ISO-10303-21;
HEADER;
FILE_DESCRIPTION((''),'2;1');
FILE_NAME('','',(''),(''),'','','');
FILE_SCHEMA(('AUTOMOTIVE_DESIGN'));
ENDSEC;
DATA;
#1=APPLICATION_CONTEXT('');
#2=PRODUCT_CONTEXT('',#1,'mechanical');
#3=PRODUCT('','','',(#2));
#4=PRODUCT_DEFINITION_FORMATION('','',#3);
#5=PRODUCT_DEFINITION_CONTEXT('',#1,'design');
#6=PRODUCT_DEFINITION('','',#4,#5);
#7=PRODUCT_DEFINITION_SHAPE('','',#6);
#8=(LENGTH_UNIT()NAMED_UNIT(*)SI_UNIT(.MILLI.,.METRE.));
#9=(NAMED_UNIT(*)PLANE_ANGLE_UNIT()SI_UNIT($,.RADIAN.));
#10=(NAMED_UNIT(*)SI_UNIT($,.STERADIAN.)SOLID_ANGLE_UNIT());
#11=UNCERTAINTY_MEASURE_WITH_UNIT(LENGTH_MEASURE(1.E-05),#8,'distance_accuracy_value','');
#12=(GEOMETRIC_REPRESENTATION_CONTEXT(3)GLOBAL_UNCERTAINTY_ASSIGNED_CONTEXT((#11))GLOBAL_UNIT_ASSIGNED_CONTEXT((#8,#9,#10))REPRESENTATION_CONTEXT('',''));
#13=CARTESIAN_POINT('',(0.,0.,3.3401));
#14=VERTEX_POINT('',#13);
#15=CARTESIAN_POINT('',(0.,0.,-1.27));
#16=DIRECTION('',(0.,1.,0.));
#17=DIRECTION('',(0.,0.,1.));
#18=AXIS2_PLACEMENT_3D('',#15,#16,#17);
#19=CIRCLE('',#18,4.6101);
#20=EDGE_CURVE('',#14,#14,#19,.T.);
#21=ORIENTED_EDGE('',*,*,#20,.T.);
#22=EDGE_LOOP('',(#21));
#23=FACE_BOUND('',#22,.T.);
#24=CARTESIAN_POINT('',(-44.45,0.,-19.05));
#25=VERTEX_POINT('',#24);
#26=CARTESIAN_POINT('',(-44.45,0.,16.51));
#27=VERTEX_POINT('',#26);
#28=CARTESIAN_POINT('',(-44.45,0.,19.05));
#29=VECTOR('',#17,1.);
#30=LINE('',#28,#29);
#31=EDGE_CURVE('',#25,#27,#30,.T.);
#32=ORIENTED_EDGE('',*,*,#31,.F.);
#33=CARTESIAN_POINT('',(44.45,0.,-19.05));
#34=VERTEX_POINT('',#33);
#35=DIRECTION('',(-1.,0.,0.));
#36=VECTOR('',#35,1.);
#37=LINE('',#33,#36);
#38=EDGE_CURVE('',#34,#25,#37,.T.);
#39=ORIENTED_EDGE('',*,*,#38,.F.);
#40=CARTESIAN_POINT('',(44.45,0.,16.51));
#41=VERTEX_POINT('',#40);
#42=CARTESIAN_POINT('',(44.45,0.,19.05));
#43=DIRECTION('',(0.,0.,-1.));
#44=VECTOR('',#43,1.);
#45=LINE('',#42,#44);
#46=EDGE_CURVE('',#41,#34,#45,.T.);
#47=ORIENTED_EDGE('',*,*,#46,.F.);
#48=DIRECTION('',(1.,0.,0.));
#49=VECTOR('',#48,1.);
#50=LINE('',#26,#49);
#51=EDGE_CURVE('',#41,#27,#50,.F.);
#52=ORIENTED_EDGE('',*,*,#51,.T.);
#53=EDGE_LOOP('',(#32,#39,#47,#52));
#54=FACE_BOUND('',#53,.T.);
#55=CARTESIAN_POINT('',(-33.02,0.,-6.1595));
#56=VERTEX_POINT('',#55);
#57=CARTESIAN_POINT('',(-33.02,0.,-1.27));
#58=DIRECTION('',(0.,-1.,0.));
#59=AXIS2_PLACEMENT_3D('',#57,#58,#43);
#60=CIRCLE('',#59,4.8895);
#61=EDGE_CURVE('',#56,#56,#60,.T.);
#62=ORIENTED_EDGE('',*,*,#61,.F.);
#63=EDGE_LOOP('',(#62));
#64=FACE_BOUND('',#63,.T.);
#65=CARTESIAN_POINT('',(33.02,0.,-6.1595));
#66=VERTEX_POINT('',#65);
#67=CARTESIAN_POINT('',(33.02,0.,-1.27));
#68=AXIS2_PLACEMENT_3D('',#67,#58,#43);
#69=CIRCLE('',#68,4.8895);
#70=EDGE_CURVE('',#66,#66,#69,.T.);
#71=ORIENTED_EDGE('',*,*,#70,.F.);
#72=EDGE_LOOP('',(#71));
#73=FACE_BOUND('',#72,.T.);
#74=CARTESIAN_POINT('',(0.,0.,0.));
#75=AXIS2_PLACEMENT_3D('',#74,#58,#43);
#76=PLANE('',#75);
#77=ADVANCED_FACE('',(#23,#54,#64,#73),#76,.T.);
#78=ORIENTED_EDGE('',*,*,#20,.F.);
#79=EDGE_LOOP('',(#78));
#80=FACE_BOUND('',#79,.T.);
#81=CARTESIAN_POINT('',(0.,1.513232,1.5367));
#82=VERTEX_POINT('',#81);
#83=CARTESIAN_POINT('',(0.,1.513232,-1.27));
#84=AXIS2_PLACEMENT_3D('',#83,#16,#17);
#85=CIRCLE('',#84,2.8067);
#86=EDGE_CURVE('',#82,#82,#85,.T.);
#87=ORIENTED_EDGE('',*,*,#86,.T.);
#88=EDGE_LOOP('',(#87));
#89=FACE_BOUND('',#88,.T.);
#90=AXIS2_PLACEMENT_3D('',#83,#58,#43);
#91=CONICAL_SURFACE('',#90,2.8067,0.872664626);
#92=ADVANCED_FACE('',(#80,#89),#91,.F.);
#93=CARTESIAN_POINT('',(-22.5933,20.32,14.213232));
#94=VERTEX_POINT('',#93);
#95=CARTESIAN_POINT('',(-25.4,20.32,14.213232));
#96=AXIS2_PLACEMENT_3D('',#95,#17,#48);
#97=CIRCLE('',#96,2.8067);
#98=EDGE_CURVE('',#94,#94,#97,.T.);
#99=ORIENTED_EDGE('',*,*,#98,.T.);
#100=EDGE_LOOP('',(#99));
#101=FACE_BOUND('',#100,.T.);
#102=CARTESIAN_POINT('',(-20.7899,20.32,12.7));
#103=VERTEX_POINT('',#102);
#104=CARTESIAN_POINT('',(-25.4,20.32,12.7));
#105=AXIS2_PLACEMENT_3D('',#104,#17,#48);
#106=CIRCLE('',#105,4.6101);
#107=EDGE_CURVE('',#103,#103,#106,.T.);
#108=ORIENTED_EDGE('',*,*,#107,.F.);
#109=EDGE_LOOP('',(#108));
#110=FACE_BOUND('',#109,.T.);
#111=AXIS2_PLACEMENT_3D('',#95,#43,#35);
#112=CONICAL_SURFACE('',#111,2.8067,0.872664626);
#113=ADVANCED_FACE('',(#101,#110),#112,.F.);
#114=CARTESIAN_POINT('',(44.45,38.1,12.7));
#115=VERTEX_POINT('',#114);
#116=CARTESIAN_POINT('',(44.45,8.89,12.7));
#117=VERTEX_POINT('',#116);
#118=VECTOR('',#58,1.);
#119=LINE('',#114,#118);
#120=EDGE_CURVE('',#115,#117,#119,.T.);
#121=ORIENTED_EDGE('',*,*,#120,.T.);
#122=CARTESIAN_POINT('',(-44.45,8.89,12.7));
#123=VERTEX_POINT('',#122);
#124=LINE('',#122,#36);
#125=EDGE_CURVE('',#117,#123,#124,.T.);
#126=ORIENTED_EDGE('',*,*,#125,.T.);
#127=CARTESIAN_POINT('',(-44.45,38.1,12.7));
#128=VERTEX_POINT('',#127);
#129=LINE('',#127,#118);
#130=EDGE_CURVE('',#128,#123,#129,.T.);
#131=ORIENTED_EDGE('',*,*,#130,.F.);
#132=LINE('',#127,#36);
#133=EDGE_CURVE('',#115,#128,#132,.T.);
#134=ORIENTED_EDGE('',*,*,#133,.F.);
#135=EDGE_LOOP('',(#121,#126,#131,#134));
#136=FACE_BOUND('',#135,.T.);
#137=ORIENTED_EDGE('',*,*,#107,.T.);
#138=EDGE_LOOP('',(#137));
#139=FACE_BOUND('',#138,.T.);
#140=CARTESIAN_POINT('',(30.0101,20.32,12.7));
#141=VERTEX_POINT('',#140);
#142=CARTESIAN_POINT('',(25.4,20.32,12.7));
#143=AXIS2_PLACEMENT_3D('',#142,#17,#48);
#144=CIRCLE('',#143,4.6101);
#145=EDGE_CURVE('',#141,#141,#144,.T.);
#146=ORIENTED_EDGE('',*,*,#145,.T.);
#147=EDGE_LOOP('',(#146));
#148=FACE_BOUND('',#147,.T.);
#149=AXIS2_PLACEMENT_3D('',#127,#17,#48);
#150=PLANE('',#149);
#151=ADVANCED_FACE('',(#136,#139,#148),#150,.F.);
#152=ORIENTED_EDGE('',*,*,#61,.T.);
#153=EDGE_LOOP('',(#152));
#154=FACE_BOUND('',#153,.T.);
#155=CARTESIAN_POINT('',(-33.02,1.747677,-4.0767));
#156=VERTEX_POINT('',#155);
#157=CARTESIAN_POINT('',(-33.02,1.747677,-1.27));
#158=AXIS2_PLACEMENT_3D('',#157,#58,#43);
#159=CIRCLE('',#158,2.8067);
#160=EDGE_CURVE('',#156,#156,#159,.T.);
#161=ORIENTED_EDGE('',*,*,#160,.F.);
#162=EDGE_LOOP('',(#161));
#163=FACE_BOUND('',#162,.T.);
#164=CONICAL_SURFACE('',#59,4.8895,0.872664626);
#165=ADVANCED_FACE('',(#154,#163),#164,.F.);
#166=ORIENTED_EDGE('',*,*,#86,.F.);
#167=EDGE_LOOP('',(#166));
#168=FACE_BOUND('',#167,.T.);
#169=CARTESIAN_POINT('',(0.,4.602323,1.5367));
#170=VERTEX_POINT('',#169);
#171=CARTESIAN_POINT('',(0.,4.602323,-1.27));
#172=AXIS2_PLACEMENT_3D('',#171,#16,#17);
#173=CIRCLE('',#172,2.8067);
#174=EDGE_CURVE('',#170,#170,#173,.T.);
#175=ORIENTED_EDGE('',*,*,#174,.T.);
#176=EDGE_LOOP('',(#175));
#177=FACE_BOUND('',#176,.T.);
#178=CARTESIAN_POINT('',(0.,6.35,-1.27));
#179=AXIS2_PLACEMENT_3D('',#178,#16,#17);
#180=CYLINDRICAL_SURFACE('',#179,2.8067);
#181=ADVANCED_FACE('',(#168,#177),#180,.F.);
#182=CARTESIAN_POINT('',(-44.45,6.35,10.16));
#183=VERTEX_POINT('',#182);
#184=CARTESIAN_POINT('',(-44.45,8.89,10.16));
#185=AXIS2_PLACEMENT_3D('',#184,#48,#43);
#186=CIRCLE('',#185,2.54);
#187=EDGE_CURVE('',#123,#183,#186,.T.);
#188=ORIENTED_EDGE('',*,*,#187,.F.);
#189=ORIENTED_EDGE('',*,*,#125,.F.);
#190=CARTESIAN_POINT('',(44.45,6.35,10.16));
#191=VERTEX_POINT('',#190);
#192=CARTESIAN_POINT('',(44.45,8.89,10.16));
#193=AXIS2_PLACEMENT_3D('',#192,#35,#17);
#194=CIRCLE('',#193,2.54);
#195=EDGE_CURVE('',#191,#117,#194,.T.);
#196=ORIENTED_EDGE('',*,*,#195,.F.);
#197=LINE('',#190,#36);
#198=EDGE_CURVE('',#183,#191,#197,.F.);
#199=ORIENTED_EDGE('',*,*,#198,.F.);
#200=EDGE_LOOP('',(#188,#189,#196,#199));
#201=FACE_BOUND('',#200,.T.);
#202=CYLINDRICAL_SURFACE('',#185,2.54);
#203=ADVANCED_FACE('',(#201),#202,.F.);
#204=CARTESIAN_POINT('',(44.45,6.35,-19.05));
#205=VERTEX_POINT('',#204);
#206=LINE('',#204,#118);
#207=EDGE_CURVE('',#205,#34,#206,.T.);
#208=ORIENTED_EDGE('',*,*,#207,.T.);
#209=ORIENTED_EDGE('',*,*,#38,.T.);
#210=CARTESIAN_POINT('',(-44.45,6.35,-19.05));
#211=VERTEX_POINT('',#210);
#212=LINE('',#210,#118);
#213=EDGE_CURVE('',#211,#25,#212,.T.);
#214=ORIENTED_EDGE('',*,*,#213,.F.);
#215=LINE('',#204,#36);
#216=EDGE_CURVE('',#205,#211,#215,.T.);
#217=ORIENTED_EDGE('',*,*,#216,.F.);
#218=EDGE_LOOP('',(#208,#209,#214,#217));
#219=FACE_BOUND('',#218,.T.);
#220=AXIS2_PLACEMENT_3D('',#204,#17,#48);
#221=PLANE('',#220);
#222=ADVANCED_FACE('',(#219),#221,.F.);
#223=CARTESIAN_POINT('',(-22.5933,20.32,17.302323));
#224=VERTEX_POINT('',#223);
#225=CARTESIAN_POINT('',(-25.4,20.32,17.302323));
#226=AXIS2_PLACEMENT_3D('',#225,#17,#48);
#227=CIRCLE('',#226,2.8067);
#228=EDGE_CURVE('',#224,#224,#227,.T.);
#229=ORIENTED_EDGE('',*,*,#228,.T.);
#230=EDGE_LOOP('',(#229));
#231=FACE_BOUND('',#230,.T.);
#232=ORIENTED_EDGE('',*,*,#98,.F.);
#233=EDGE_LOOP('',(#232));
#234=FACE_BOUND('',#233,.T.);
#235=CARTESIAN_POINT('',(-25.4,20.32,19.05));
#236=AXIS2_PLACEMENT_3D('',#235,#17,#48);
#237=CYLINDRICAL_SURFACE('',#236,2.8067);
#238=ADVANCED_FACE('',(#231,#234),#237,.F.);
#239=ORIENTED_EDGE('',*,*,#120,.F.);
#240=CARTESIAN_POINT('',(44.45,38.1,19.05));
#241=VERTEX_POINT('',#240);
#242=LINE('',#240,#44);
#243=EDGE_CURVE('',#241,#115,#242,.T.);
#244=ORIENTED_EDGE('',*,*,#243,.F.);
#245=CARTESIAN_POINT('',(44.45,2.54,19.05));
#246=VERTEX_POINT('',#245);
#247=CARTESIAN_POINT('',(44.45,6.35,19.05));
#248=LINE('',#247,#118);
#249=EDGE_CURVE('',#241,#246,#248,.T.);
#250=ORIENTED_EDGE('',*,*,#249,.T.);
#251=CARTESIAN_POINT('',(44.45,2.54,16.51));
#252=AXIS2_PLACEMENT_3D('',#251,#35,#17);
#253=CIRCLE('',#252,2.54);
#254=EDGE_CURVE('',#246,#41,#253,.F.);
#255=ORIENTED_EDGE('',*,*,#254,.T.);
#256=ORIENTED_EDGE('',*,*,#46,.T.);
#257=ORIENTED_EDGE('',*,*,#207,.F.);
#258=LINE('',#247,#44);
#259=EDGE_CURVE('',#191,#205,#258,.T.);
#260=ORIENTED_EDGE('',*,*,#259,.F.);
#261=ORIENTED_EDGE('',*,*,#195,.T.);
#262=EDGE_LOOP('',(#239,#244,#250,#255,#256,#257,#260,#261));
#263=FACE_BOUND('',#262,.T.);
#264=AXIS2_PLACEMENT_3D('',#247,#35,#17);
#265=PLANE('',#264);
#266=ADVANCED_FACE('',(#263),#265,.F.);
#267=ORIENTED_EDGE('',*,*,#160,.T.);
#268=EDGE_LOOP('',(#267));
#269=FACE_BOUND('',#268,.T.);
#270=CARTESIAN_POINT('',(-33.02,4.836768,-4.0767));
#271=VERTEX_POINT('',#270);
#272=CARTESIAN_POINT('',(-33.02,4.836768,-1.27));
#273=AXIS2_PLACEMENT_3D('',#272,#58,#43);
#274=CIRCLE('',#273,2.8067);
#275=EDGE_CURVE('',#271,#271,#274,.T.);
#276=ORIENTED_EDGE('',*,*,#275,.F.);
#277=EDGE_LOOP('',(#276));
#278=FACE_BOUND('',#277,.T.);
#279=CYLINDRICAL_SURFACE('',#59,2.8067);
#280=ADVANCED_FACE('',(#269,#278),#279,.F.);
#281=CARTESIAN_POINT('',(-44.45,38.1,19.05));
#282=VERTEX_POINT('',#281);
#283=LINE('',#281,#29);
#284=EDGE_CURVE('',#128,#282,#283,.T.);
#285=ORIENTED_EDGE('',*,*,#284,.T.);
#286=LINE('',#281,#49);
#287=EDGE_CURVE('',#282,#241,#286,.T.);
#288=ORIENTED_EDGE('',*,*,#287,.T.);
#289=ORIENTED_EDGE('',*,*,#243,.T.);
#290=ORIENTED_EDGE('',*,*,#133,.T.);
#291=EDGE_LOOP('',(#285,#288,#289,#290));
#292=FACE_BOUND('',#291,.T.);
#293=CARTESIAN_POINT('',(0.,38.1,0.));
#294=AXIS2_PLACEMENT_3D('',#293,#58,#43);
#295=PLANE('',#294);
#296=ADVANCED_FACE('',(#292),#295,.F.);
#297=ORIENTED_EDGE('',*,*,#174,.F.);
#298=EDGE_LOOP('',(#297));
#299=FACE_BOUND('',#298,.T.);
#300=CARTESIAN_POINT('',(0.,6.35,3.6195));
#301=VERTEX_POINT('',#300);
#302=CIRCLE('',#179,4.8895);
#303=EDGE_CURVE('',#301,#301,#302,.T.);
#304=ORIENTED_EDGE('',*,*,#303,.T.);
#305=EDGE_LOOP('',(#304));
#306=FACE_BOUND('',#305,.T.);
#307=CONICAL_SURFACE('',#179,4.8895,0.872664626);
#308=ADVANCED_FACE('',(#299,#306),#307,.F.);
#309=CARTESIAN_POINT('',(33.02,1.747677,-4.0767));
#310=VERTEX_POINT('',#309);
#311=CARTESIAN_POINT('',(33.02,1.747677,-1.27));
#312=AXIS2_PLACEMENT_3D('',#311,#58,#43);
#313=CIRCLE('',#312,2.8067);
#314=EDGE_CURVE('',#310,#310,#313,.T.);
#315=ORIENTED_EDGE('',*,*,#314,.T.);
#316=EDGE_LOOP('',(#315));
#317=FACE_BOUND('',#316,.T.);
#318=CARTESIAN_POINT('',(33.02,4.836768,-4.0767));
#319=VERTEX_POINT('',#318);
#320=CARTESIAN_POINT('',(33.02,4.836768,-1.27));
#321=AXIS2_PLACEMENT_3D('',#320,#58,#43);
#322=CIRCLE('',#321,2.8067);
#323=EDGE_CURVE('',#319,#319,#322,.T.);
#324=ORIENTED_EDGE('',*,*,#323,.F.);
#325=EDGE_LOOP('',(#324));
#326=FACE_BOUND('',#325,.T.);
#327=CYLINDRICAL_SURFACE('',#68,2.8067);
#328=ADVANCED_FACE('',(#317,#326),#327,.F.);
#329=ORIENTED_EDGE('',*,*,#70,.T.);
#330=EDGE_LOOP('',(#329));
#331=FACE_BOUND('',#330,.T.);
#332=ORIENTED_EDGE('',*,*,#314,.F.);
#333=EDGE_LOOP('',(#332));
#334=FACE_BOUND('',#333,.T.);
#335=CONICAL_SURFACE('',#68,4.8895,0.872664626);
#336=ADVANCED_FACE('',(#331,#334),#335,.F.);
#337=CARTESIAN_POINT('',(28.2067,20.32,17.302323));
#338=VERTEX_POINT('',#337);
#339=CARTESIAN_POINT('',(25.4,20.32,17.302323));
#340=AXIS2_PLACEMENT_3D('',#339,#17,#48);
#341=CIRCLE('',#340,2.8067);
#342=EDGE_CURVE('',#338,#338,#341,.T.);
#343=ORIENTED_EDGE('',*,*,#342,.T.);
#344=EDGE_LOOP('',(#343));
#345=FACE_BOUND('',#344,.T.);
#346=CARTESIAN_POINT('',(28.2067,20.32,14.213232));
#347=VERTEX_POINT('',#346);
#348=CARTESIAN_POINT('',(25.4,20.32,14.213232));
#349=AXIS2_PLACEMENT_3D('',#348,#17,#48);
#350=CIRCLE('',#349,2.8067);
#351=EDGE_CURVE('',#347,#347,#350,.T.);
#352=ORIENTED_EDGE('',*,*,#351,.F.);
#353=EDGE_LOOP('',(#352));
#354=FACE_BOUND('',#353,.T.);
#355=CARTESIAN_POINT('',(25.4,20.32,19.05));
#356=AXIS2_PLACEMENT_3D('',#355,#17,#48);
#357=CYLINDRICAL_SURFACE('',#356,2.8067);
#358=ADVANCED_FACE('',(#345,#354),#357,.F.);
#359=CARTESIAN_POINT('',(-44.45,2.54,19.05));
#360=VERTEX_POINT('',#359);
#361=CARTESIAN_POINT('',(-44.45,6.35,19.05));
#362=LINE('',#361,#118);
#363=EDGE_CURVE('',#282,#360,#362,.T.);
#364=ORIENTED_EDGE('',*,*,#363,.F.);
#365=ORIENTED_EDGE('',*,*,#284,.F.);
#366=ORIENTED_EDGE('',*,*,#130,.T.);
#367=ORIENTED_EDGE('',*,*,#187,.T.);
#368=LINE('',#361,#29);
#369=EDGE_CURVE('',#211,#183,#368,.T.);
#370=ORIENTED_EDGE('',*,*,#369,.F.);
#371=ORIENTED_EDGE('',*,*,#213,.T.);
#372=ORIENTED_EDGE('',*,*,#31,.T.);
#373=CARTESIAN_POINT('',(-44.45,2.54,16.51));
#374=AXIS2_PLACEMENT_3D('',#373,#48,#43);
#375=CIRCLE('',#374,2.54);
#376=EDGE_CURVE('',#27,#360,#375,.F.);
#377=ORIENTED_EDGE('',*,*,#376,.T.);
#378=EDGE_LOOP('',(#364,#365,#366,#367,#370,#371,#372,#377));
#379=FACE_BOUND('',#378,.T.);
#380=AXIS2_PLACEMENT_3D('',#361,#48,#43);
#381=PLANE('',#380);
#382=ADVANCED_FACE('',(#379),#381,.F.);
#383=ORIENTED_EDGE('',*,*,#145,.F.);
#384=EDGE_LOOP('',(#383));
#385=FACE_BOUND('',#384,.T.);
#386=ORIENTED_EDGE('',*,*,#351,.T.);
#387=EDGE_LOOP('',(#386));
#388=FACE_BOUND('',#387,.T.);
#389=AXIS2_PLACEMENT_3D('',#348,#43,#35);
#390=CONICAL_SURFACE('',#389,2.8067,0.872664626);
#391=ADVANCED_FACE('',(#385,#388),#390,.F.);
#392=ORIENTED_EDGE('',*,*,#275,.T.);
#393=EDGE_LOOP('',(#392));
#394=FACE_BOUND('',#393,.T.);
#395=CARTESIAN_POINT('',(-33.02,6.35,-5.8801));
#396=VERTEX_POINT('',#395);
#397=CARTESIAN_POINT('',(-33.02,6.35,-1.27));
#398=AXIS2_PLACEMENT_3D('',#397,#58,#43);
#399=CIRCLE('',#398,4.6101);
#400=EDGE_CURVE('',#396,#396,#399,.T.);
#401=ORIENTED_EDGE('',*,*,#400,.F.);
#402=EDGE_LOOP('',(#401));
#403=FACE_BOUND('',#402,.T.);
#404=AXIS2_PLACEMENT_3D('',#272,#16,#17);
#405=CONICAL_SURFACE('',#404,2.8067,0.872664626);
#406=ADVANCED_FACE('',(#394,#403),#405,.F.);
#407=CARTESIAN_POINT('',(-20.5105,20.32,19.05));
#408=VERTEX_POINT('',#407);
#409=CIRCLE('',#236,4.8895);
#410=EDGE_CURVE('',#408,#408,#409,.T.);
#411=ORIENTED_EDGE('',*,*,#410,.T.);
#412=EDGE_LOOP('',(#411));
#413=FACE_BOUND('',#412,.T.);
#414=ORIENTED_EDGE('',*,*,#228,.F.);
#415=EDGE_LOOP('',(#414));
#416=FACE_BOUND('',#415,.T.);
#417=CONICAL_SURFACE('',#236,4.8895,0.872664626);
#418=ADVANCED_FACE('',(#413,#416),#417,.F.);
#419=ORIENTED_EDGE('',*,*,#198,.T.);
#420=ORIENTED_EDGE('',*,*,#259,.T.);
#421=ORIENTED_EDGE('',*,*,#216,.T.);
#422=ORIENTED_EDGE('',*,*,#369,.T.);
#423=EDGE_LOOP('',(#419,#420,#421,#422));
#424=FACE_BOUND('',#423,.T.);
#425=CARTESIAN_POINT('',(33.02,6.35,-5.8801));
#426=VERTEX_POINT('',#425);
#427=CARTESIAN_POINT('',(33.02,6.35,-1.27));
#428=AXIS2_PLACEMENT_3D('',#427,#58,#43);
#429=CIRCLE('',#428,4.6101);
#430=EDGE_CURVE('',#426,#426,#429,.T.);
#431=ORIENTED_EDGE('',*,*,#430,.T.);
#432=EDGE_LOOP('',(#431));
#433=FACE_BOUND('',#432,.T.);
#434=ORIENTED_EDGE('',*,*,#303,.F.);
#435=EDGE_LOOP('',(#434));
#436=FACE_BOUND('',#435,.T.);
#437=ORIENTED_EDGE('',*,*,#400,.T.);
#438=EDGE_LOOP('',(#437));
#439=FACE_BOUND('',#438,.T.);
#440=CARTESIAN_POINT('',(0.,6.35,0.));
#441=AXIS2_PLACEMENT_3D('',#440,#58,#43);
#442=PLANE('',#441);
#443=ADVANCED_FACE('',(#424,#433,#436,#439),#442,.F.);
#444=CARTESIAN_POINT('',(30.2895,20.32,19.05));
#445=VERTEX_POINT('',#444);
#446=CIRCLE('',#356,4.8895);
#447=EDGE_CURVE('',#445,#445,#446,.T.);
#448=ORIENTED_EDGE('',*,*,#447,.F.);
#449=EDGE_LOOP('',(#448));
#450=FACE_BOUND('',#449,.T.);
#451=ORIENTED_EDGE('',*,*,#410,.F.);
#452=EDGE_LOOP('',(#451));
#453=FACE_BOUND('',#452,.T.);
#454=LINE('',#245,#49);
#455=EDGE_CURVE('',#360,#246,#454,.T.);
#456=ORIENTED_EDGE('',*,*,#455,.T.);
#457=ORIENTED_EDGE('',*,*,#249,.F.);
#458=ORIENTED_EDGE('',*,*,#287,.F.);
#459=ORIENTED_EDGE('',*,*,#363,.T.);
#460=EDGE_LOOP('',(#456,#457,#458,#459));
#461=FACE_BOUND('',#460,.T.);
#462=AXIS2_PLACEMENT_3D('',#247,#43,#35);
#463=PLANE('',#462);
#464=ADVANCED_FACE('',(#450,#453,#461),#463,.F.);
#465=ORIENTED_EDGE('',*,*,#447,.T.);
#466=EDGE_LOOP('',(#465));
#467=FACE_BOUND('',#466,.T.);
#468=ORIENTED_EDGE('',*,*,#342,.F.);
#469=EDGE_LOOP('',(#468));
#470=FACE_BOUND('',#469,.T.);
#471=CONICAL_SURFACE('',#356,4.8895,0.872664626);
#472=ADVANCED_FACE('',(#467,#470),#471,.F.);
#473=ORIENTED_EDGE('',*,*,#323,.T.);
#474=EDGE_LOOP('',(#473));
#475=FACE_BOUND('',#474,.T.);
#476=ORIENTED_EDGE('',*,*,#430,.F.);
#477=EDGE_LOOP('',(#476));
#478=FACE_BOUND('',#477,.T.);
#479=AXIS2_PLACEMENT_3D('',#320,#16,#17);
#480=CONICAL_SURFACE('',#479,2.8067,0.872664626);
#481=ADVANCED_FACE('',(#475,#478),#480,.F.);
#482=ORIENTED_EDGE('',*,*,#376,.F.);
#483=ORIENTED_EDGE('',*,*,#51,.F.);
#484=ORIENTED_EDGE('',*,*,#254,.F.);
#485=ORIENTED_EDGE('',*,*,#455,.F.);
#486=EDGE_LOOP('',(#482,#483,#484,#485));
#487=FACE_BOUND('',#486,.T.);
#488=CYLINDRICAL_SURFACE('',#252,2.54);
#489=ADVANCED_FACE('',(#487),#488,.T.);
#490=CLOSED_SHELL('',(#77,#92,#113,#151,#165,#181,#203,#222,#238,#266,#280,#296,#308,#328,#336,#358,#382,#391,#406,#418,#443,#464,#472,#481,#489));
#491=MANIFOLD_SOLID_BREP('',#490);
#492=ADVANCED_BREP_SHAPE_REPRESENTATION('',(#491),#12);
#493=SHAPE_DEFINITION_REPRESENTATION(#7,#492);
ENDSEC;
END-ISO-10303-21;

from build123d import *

# Parameters (mm, degrees)
SKETCH1_W           = 88.9
SKETCH1_H           = 38.1
BOSS_EXTRUDE1_DEPTH = 6.35
SKETCH2_W           = 88.9
SKETCH2_H           = 6.35
BOSS_EXTRUDE2_DEPTH = 31.75
FILLET1_R           = 2.54
FILLET2_R           = 2.54


with BuildPart() as part:
    # Sketch1 → Boss-Extrude1 (new body)
    with BuildSketch(Plane(origin=(0, 0, 0), x_dir=(1, 0, 0), z_dir=(0, 1, 0))):
        Rectangle(SKETCH1_W, SKETCH1_H)
    extrude(amount=BOSS_EXTRUDE1_DEPTH)

    # Sketch2 → Boss-Extrude2 (add)
    with BuildSketch(Plane(origin=(0, 6.35, 0), x_dir=(1, 0, 0), z_dir=(0, 1, 0))):
        with Locations((0, -15.875)):
            Rectangle(SKETCH2_W, SKETCH2_H)
    extrude(amount=BOSS_EXTRUDE2_DEPTH)

    # Fillet1
    fillet1_edges = [part.edges().sort_by_distance(p)[0] for p in [
        (0, 6.35, 12.7),
    ]]
    fillet(fillet1_edges, radius=FILLET1_R)

    # Fillet2
    fillet2_edges = [part.edges().sort_by_distance(p)[0] for p in [
        (0, 0, 19.05),
    ]]
    fillet(fillet2_edges, radius=FILLET2_R)

    # Sketch3 → CSK for #10 Flat Head Machine Screw (100)1 (revolve, cut)
    with BuildSketch(Plane(origin=(-25.4, 20.32, 19.05), x_dir=(0, -1, 0), z_dir=(1, 0, 0))):
        Polygon((0, 0), (0, 6.35), (4.6101, 6.35), (2.8067, 4.836767725), (2.8067, 1.747676712), (4.8895, 0), align=None)
    revolve(axis=Axis((-25.4, 20.32, 25.4), (0, 0, -1)), mode=Mode.SUBTRACT)

    # Sketch3 at point 2 (carried to point 2, square into its face) → CSK for _10 Flat Head Machine Screw  2 (revolve, cut)
    with BuildSketch(Plane(origin=(25.4, 20.32, 19.05), x_dir=(0, -1, 0), z_dir=(1, 0, 0))):
        Polygon((0, 0), (0, 6.35), (4.6101, 6.35), (2.8067, 4.836767725), (2.8067, 1.747676712), (4.8895, 0), align=None)
    revolve(axis=Axis((25.4, 20.32, 25.4), (0, 0, -1)), mode=Mode.SUBTRACT)

    # Sketch3 at point 3 (carried to point 3, square into its face) → CSK for _10 Flat Head Machine Screw  3 (revolve, cut)
    with BuildSketch(Plane(origin=(33.02, 0, -1.27), x_dir=(0, 0, -1), z_dir=(1, 0, 0))):
        Polygon((0, 0), (0, 6.35), (4.6101, 6.35), (2.8067, 4.836767725), (2.8067, 1.747676712), (4.8895, 0), align=None)
    revolve(axis=Axis((33.02, -6.35, -1.27), (0, 1, 0)), mode=Mode.SUBTRACT)

    # Sketch3 at point 4 (carried to point 4, square into its face) → CSK for _10 Flat Head Machine Screw  4 (revolve, cut)
    with BuildSketch(Plane(origin=(-33.02, 0, -1.27), x_dir=(0, 0, -1), z_dir=(1, 0, 0))):
        Polygon((0, 0), (0, 6.35), (4.6101, 6.35), (2.8067, 4.836767725), (2.8067, 1.747676712), (4.8895, 0), align=None)
    revolve(axis=Axis((-33.02, -6.35, -1.27), (0, 1, 0)), mode=Mode.SUBTRACT)

    # Sketch3 at point 5 (carried to point 5, square into its face) → CSK for _10 Flat Head Machine Screw  5 (revolve, cut)
    with BuildSketch(Plane(origin=(0, 6.35, -1.27), x_dir=(0, 0, 1), z_dir=(1, 0, 0))):
        Polygon((0, 0), (0, 6.35), (4.6101, 6.35), (2.8067, 4.836767725), (2.8067, 1.747676712), (4.8895, 0), align=None)
    revolve(axis=Axis((0, 12.7, -1.27), (0, -1, 0)), mode=Mode.SUBTRACT)


solid = part.part
